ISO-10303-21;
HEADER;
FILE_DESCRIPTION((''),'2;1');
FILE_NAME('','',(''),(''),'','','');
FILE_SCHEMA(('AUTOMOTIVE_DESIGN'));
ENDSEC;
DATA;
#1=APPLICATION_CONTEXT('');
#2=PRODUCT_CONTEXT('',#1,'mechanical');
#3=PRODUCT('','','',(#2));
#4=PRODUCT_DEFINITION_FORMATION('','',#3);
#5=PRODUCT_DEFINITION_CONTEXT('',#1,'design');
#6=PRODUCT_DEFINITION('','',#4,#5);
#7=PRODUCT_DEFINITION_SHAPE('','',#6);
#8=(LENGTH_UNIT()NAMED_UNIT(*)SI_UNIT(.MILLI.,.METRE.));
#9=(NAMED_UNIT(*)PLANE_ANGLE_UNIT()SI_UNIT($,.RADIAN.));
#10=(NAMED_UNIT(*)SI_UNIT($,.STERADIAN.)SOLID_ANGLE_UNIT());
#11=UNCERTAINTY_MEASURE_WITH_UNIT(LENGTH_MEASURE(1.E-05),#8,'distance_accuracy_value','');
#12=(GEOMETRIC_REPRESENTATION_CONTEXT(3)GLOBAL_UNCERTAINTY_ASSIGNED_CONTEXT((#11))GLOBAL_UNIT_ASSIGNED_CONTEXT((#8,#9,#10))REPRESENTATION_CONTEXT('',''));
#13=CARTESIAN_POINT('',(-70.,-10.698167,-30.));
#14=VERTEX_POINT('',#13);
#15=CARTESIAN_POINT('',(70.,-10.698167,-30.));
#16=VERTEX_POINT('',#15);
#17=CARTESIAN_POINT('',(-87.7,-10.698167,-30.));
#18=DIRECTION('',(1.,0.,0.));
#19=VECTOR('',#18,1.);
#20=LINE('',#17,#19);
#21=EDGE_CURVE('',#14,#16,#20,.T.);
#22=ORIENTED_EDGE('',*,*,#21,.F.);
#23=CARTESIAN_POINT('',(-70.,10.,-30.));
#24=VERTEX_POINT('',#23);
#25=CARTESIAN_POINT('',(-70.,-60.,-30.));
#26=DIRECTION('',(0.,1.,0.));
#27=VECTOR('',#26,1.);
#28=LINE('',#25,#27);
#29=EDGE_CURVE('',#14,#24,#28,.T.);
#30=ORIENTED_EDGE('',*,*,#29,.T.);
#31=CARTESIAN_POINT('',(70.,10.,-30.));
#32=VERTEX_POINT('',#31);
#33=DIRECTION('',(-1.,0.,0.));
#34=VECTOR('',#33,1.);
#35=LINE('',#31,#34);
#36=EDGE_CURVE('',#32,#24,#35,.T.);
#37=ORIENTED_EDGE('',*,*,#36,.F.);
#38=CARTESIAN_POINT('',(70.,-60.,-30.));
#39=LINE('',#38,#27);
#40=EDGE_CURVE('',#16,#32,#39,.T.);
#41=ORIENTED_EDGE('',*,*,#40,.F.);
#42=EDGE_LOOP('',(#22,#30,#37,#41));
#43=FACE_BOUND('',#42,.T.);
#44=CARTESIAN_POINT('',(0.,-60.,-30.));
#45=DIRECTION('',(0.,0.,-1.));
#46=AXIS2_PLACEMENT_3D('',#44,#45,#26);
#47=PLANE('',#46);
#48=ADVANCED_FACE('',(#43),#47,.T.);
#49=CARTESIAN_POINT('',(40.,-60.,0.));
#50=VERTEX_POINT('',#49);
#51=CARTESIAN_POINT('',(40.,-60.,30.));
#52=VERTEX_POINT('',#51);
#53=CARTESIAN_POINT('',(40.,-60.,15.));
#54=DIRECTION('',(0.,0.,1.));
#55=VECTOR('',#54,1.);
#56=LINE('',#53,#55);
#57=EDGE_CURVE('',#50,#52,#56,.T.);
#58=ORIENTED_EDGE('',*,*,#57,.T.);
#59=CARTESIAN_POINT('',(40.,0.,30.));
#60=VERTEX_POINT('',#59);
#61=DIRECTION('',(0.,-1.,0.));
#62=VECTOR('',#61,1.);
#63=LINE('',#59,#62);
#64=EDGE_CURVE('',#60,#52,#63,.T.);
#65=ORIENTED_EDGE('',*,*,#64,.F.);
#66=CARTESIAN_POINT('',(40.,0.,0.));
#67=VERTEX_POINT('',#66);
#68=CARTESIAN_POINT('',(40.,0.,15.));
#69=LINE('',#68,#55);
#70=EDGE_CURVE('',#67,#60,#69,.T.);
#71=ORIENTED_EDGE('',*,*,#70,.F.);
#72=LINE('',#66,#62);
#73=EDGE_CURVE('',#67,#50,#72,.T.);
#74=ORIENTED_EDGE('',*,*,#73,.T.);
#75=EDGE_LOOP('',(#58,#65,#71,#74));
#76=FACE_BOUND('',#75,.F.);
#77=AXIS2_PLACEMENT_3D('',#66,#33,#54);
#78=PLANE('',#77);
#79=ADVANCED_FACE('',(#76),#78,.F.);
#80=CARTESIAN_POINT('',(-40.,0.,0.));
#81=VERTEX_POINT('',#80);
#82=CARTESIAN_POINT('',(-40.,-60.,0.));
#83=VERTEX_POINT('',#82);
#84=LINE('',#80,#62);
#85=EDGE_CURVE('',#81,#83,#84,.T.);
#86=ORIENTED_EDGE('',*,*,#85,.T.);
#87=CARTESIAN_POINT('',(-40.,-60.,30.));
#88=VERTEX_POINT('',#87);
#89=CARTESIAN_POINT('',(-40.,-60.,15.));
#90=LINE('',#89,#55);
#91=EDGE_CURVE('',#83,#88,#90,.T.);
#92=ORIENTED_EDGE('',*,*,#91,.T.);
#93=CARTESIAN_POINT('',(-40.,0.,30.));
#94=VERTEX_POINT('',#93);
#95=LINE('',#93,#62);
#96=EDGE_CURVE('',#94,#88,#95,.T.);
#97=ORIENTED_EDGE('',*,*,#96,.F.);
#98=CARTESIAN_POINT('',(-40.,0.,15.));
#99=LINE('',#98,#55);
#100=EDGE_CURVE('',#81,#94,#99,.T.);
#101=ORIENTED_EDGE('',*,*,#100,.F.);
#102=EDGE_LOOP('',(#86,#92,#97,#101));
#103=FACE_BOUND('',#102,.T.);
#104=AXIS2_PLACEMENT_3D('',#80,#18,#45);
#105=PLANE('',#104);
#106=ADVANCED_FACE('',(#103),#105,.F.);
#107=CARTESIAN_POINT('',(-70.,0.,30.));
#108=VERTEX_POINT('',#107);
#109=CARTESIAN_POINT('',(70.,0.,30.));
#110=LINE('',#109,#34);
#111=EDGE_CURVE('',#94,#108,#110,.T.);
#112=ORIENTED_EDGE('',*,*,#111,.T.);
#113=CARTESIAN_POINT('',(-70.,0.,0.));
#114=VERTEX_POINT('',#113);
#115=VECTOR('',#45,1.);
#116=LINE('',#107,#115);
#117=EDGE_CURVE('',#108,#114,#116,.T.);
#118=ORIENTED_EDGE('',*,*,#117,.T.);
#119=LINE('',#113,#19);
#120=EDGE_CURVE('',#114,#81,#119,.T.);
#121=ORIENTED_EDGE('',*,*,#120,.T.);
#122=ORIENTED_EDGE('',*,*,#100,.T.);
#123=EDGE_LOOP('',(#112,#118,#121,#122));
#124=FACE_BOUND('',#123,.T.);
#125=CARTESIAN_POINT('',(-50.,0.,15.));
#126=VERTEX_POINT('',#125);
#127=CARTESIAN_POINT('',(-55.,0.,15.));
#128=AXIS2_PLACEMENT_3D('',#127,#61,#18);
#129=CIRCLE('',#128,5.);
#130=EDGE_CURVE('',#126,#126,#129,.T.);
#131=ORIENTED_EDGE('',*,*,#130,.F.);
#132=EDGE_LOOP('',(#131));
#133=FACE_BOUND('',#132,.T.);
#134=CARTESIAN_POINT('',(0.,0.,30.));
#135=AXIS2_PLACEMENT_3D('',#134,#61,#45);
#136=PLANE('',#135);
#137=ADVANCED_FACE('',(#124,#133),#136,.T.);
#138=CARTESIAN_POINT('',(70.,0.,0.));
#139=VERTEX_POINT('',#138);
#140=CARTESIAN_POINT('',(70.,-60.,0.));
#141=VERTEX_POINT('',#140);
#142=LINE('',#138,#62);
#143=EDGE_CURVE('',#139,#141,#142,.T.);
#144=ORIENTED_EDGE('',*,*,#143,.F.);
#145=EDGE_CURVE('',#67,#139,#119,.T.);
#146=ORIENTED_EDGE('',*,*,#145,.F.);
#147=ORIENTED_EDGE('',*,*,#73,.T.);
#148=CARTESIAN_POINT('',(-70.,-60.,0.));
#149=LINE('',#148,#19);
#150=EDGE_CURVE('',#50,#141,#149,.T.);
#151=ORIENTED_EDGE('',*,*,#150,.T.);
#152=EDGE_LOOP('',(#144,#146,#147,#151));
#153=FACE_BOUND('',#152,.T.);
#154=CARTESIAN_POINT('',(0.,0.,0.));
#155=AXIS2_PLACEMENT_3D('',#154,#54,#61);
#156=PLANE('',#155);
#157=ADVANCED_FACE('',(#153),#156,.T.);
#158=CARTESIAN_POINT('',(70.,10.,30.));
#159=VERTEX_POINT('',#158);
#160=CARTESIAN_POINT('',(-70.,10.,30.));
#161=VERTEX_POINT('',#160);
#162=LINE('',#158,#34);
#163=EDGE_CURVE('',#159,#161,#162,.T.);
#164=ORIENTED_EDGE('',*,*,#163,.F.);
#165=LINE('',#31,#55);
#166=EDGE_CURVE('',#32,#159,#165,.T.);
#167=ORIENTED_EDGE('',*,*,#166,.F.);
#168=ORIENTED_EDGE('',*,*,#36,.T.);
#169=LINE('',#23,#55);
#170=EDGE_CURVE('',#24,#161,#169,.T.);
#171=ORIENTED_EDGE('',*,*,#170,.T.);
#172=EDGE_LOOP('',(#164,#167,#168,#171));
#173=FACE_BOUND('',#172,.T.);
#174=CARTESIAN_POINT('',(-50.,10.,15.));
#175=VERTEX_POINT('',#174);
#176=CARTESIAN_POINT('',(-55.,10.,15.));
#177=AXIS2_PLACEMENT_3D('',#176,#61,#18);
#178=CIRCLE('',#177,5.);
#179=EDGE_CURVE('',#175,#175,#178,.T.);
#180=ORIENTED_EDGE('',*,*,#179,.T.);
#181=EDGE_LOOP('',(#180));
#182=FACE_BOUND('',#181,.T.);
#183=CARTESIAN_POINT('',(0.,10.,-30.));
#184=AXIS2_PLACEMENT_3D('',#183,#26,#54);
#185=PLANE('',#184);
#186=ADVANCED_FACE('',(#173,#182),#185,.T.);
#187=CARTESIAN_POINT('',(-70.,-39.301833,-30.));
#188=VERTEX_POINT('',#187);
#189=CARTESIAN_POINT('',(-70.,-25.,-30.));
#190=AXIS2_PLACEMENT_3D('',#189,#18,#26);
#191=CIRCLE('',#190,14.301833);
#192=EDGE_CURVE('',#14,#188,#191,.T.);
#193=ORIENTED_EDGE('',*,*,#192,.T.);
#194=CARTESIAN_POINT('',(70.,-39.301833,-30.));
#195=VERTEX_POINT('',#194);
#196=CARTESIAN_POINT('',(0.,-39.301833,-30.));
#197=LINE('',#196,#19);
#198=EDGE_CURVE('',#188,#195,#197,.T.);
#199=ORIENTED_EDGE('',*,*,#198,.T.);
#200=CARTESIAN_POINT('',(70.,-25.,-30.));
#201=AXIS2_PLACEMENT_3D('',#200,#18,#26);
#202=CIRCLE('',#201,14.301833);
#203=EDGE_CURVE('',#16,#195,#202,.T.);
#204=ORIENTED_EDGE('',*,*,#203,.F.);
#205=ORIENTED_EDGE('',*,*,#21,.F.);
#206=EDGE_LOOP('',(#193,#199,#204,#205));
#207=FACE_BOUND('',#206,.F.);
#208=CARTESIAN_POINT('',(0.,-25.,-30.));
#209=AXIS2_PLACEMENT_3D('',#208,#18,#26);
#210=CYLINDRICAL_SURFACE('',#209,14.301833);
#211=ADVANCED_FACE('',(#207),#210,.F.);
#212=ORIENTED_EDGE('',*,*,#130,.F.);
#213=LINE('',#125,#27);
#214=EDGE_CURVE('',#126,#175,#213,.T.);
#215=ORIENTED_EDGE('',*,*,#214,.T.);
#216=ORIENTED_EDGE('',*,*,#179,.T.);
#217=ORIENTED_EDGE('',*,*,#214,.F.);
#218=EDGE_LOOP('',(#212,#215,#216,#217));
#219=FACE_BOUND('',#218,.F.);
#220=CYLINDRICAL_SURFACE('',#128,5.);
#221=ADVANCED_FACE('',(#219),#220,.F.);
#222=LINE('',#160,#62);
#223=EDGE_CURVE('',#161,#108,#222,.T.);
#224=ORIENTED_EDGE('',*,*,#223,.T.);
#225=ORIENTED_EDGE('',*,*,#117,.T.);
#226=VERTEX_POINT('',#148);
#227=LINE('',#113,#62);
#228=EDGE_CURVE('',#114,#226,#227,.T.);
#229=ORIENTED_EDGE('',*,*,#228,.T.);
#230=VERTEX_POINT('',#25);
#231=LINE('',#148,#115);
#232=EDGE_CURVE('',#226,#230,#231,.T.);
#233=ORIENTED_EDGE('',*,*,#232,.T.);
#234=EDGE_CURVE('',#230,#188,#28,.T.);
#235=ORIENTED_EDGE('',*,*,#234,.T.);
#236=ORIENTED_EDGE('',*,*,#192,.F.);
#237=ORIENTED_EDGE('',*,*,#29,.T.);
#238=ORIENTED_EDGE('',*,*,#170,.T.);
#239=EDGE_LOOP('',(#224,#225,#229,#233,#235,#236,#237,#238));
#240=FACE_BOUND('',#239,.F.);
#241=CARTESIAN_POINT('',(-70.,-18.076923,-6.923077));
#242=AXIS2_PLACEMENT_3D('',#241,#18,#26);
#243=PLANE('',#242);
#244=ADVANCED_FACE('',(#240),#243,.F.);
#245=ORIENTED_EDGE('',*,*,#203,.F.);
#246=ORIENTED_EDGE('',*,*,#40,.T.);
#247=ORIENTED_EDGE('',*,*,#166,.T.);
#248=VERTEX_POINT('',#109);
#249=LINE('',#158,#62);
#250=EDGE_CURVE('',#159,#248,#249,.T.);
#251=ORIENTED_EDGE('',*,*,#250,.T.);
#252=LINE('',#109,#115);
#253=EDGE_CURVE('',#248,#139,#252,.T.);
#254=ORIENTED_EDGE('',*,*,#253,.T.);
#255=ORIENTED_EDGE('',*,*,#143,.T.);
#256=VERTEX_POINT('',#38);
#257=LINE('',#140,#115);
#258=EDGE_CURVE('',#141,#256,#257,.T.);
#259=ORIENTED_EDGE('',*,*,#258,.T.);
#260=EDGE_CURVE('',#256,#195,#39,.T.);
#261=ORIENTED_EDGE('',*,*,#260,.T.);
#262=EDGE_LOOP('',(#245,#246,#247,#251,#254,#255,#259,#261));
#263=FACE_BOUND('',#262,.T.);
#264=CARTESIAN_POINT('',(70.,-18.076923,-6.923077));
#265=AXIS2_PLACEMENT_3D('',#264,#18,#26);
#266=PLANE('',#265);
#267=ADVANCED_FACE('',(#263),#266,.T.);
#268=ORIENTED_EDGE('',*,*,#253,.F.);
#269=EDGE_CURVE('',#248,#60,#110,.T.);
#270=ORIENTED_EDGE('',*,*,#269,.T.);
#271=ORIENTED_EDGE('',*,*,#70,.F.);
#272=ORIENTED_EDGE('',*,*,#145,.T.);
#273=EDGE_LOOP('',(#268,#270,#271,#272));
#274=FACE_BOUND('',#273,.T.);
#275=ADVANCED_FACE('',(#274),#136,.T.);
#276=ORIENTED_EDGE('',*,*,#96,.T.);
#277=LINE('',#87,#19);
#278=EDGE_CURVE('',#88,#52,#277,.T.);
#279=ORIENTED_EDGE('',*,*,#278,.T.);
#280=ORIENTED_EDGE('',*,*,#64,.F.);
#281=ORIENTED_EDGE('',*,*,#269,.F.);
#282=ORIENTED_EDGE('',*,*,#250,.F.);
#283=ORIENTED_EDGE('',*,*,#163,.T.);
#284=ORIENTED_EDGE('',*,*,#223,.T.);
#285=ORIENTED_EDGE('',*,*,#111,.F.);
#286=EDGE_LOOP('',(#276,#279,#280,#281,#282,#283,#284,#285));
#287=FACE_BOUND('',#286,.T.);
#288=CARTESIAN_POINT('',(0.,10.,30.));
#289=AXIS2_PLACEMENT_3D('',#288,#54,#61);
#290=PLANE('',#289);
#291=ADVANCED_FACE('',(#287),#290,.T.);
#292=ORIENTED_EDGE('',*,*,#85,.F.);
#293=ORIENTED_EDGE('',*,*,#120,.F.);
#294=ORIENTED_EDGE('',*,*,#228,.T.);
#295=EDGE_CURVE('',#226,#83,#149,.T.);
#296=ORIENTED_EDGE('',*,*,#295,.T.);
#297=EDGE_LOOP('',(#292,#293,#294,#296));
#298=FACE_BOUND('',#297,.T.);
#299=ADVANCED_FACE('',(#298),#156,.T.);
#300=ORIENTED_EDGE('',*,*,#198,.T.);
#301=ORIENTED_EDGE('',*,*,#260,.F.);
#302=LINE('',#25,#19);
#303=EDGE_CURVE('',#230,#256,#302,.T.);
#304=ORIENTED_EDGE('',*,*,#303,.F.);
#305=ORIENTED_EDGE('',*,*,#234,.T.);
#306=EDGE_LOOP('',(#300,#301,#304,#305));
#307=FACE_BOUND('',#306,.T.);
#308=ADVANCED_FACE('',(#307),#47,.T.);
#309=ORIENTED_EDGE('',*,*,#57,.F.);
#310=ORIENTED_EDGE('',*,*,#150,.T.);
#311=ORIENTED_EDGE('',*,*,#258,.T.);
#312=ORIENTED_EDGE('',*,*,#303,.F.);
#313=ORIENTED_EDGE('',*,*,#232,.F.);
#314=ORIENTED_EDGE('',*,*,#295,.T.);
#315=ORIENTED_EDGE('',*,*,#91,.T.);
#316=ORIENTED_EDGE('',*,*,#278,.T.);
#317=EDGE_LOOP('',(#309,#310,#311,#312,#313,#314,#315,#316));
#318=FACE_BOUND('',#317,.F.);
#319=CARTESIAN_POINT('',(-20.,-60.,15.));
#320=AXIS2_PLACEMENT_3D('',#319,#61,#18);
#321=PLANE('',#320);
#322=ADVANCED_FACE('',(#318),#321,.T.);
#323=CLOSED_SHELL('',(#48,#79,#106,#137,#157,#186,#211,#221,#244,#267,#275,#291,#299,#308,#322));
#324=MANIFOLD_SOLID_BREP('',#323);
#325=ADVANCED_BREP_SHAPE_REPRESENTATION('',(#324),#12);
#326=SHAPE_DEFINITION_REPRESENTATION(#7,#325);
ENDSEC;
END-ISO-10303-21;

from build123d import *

# Parameters (mm, degrees)
F1_DEPTH = 70
F2_R     = 14.3018330781
F3_DEPTH = 87.7
F4_W     = 40
F4_H     = 30
F5_DEPTH = 60
F7_R     = 5
F8_DEPTH = 86.3


with BuildPart() as f1:
    # F0 (on Right) → F1 (new body, symmetric)
    with BuildSketch(Plane.YZ):
        Polygon((0, 30), (0, 0), (-60, 0), (-60, -30), (10, -30), (10, 30), align=None)
    extrude(amount=F1_DEPTH, both=True)

    # F2 (on Right) → F3 (cut, symmetric)
    with BuildSketch(Plane.YZ):
        with Locations((-25, -30)):
            Circle(F2_R)
    extrude(amount=F3_DEPTH, both=True, mode=Mode.SUBTRACT)

    # F4 (on Front) → F5 (join)
    with BuildSketch(Plane.XZ):
        with Locations((20, 15)):
            Rectangle(F4_W, F4_H)
    extrude(amount=F5_DEPTH)

    # F6: F1 across plane


with BuildPart() as f1_1:
    add(f1.part)
    add(f1.part.mirror(Plane.YZ))

    # F7 (on face) → F8 (cut)
    with BuildSketch(Plane.XZ):
        with Locations((-55, 15)):
            Circle(F7_R)
    extrude(amount=-F8_DEPTH, mode=Mode.SUBTRACT)


solid = f1_1.part
